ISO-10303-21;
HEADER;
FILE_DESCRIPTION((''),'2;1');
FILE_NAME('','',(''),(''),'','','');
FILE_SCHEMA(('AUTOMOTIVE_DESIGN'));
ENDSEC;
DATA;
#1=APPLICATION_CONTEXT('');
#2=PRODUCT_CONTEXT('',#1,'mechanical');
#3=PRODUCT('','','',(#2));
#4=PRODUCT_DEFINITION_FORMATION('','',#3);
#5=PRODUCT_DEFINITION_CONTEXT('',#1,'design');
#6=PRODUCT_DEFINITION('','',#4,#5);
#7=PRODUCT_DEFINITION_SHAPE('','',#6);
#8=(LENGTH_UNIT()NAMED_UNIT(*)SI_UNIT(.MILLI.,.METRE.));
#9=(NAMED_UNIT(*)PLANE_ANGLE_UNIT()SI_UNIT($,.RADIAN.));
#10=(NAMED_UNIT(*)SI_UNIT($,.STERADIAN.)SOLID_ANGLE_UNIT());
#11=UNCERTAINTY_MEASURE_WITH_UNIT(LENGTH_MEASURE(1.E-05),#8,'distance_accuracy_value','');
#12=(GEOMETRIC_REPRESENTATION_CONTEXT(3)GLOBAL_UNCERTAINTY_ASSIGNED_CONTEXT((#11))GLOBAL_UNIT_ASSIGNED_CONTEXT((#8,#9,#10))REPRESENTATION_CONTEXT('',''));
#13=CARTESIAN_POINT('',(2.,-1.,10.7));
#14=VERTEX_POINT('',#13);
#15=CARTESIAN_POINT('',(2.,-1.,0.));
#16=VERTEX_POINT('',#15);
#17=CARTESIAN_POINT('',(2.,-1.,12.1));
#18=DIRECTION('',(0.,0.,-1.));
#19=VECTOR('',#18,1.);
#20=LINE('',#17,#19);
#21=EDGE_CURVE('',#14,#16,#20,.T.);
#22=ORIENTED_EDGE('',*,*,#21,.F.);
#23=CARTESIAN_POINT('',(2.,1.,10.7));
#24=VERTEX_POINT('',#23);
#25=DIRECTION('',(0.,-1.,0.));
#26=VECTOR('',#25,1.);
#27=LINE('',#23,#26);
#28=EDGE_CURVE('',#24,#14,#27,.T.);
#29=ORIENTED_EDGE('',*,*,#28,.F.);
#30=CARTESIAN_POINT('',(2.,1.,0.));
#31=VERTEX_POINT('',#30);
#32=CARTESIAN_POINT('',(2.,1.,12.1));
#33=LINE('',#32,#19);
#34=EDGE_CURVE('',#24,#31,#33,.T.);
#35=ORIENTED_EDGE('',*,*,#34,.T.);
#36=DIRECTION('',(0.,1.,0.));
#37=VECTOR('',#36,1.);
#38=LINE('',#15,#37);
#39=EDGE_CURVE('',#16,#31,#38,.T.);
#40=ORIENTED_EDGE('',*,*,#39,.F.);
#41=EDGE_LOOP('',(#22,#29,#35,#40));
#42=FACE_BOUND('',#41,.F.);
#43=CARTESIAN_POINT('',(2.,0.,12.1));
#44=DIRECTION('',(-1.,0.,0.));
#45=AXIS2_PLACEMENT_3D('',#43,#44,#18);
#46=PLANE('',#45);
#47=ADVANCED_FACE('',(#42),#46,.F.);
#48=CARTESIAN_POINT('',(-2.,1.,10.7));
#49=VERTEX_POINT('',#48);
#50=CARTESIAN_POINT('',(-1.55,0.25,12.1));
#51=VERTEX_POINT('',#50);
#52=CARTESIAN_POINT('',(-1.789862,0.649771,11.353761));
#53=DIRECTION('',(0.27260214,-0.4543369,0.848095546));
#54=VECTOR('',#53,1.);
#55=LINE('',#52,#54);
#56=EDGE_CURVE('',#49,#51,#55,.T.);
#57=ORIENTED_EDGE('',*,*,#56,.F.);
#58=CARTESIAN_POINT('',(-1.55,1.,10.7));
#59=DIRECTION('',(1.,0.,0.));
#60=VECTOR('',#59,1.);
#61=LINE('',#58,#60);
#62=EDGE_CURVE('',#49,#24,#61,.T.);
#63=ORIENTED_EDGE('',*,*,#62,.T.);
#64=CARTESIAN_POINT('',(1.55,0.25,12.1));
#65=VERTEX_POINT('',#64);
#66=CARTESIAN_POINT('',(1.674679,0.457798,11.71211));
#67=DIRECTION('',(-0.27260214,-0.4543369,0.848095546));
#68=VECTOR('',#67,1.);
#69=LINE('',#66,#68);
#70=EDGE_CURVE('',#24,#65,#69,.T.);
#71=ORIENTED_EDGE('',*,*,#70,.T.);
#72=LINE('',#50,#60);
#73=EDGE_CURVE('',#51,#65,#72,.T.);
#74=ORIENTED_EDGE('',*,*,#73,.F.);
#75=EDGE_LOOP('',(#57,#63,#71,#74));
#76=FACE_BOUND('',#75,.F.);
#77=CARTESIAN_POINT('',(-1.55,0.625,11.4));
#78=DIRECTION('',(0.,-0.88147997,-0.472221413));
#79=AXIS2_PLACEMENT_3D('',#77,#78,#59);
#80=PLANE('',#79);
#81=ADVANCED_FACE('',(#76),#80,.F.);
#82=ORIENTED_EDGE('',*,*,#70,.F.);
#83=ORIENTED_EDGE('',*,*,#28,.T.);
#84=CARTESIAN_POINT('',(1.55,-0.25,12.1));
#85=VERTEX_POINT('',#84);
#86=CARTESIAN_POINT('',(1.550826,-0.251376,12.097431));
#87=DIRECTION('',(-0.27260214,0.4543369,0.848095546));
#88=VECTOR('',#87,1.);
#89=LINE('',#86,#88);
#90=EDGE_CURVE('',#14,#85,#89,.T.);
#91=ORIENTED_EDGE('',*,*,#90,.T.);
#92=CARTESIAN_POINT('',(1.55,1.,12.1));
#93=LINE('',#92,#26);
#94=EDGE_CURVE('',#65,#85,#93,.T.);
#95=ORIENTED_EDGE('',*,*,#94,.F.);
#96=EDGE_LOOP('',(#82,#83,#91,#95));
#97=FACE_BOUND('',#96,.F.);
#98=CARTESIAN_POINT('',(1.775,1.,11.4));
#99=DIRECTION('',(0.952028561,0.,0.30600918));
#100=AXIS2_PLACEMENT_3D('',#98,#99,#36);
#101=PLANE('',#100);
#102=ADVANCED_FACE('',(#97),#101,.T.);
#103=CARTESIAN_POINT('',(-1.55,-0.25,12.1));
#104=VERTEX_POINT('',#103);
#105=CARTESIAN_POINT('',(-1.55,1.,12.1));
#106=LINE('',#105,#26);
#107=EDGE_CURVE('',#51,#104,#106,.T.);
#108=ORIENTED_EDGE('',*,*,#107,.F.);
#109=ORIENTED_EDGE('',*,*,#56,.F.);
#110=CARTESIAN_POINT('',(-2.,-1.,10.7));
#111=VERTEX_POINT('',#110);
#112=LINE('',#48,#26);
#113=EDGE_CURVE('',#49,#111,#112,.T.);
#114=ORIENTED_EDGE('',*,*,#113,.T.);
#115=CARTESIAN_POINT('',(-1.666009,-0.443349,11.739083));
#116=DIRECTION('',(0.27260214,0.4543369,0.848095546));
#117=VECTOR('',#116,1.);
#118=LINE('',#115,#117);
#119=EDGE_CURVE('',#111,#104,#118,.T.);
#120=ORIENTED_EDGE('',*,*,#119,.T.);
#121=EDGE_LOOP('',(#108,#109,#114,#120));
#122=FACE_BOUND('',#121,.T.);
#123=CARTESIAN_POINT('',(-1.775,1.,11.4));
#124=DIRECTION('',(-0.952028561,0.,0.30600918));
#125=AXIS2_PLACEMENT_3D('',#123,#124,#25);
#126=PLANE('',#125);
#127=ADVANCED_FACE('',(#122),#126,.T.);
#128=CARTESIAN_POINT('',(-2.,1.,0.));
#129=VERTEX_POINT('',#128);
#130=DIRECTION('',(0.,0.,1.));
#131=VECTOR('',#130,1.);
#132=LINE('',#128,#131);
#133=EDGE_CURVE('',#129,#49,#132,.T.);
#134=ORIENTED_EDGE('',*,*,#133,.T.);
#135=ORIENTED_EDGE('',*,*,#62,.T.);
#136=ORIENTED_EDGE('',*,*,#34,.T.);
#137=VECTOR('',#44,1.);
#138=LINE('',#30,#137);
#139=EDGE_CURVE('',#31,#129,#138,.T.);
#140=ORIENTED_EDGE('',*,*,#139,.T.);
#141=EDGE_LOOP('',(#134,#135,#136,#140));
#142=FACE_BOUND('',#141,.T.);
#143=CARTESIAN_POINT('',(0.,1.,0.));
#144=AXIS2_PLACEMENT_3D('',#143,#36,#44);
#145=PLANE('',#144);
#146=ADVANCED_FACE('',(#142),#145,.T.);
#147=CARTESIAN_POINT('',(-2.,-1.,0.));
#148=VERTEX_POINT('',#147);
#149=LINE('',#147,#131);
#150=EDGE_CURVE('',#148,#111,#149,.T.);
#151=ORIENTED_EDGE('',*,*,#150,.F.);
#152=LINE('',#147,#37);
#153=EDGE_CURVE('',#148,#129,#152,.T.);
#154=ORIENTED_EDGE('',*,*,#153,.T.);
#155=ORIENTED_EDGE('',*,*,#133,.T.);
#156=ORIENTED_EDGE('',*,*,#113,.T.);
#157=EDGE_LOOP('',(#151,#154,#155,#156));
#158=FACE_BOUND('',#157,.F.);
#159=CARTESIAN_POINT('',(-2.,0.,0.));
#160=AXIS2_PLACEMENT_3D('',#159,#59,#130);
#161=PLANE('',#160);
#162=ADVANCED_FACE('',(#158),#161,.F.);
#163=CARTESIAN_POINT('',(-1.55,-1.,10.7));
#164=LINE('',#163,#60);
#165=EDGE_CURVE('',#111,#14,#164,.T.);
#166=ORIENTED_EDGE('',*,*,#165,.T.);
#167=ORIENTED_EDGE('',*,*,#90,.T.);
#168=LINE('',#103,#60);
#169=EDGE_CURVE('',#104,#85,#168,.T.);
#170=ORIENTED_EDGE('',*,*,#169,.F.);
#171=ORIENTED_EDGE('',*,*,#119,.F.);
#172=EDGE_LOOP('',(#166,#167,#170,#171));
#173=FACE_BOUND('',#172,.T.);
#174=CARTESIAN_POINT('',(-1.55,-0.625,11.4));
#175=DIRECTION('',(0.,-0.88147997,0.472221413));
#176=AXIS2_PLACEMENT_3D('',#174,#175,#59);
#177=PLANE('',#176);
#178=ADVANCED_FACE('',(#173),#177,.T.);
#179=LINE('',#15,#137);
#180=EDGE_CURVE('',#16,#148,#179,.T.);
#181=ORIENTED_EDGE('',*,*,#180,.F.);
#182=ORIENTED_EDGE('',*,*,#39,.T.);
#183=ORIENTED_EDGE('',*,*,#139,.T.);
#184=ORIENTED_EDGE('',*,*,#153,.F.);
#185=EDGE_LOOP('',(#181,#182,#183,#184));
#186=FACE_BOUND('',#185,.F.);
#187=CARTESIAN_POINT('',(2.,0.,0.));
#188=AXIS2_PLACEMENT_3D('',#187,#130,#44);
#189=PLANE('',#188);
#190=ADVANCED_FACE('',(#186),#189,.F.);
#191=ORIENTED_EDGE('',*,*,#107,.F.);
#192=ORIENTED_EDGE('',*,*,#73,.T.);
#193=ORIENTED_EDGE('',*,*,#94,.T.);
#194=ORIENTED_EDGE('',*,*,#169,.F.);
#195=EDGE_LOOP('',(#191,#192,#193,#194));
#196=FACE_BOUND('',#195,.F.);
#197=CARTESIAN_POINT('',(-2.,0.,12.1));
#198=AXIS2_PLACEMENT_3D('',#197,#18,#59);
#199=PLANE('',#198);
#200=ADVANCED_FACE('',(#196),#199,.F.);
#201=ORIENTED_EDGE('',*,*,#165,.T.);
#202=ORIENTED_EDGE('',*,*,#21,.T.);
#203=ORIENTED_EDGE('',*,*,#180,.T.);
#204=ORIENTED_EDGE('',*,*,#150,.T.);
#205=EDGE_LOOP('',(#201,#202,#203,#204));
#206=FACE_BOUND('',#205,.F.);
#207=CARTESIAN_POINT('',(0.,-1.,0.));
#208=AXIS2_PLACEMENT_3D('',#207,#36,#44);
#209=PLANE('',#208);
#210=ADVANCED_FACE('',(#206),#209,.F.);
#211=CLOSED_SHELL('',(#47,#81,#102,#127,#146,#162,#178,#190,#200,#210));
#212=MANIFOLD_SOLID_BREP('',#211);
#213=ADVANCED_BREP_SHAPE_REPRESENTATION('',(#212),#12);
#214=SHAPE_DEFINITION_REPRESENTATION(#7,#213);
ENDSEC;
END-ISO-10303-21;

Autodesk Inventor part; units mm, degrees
ref_plane "YZ Plane" through (0, 0, 0) normal (1, 0, 0) x (0, 1, 0)
ref_plane "XZ Plane" through (0, 0, 0) normal (0, 1, 0) x (-1, 0, 0)
ref_plane "XY Plane" through (0, 0, 0) normal (0, 0, 1) x (1, 0, 0)
sketch "Sketch1" plane through (0, 0, 0) normal (0, 1, 0) x (-1, 0, 0)
  line L0 (-2, 0) -> (2, 0)
  line L1 (2, 0) -> (2, 12.1)
  line L2 (2, 12.1) -> (-2, 12.1)
  line L3 (-2, 12.1) -> (-2, 0)
  point P0 (0, 0)
  point P1 (0, 0)
  dimension "d0" = 4
  dimension "d1" = 12.1
extrude "Extrusion1" add sketch "Sketch1" along normal mid plane 2
chamfer "Chamfer1" distance 1.4 distance2 0.45 1 edges at (-2, 0, 12.1) measured on face at (-2, 0.3333, 8.0667)
chamfer "Chamfer2" distance 1.4 distance2 0.45 1 edges at (2, 0, 12.1) measured on face at (2, -0.3333, 8.0667)
chamfer "Chamfer3" distance 1.4 distance2 0.75 1 edges at (0, 1, 12.1) measured on face at (0.6667, 1, 7.1333)
chamfer "Chamfer4" distance 1.4 distance2 0.75 1 edges at (0, -1, 12.1) measured on face at (0.6667, -1, 7.1333)
properties material "Nickel-Copper Alloy 400"
